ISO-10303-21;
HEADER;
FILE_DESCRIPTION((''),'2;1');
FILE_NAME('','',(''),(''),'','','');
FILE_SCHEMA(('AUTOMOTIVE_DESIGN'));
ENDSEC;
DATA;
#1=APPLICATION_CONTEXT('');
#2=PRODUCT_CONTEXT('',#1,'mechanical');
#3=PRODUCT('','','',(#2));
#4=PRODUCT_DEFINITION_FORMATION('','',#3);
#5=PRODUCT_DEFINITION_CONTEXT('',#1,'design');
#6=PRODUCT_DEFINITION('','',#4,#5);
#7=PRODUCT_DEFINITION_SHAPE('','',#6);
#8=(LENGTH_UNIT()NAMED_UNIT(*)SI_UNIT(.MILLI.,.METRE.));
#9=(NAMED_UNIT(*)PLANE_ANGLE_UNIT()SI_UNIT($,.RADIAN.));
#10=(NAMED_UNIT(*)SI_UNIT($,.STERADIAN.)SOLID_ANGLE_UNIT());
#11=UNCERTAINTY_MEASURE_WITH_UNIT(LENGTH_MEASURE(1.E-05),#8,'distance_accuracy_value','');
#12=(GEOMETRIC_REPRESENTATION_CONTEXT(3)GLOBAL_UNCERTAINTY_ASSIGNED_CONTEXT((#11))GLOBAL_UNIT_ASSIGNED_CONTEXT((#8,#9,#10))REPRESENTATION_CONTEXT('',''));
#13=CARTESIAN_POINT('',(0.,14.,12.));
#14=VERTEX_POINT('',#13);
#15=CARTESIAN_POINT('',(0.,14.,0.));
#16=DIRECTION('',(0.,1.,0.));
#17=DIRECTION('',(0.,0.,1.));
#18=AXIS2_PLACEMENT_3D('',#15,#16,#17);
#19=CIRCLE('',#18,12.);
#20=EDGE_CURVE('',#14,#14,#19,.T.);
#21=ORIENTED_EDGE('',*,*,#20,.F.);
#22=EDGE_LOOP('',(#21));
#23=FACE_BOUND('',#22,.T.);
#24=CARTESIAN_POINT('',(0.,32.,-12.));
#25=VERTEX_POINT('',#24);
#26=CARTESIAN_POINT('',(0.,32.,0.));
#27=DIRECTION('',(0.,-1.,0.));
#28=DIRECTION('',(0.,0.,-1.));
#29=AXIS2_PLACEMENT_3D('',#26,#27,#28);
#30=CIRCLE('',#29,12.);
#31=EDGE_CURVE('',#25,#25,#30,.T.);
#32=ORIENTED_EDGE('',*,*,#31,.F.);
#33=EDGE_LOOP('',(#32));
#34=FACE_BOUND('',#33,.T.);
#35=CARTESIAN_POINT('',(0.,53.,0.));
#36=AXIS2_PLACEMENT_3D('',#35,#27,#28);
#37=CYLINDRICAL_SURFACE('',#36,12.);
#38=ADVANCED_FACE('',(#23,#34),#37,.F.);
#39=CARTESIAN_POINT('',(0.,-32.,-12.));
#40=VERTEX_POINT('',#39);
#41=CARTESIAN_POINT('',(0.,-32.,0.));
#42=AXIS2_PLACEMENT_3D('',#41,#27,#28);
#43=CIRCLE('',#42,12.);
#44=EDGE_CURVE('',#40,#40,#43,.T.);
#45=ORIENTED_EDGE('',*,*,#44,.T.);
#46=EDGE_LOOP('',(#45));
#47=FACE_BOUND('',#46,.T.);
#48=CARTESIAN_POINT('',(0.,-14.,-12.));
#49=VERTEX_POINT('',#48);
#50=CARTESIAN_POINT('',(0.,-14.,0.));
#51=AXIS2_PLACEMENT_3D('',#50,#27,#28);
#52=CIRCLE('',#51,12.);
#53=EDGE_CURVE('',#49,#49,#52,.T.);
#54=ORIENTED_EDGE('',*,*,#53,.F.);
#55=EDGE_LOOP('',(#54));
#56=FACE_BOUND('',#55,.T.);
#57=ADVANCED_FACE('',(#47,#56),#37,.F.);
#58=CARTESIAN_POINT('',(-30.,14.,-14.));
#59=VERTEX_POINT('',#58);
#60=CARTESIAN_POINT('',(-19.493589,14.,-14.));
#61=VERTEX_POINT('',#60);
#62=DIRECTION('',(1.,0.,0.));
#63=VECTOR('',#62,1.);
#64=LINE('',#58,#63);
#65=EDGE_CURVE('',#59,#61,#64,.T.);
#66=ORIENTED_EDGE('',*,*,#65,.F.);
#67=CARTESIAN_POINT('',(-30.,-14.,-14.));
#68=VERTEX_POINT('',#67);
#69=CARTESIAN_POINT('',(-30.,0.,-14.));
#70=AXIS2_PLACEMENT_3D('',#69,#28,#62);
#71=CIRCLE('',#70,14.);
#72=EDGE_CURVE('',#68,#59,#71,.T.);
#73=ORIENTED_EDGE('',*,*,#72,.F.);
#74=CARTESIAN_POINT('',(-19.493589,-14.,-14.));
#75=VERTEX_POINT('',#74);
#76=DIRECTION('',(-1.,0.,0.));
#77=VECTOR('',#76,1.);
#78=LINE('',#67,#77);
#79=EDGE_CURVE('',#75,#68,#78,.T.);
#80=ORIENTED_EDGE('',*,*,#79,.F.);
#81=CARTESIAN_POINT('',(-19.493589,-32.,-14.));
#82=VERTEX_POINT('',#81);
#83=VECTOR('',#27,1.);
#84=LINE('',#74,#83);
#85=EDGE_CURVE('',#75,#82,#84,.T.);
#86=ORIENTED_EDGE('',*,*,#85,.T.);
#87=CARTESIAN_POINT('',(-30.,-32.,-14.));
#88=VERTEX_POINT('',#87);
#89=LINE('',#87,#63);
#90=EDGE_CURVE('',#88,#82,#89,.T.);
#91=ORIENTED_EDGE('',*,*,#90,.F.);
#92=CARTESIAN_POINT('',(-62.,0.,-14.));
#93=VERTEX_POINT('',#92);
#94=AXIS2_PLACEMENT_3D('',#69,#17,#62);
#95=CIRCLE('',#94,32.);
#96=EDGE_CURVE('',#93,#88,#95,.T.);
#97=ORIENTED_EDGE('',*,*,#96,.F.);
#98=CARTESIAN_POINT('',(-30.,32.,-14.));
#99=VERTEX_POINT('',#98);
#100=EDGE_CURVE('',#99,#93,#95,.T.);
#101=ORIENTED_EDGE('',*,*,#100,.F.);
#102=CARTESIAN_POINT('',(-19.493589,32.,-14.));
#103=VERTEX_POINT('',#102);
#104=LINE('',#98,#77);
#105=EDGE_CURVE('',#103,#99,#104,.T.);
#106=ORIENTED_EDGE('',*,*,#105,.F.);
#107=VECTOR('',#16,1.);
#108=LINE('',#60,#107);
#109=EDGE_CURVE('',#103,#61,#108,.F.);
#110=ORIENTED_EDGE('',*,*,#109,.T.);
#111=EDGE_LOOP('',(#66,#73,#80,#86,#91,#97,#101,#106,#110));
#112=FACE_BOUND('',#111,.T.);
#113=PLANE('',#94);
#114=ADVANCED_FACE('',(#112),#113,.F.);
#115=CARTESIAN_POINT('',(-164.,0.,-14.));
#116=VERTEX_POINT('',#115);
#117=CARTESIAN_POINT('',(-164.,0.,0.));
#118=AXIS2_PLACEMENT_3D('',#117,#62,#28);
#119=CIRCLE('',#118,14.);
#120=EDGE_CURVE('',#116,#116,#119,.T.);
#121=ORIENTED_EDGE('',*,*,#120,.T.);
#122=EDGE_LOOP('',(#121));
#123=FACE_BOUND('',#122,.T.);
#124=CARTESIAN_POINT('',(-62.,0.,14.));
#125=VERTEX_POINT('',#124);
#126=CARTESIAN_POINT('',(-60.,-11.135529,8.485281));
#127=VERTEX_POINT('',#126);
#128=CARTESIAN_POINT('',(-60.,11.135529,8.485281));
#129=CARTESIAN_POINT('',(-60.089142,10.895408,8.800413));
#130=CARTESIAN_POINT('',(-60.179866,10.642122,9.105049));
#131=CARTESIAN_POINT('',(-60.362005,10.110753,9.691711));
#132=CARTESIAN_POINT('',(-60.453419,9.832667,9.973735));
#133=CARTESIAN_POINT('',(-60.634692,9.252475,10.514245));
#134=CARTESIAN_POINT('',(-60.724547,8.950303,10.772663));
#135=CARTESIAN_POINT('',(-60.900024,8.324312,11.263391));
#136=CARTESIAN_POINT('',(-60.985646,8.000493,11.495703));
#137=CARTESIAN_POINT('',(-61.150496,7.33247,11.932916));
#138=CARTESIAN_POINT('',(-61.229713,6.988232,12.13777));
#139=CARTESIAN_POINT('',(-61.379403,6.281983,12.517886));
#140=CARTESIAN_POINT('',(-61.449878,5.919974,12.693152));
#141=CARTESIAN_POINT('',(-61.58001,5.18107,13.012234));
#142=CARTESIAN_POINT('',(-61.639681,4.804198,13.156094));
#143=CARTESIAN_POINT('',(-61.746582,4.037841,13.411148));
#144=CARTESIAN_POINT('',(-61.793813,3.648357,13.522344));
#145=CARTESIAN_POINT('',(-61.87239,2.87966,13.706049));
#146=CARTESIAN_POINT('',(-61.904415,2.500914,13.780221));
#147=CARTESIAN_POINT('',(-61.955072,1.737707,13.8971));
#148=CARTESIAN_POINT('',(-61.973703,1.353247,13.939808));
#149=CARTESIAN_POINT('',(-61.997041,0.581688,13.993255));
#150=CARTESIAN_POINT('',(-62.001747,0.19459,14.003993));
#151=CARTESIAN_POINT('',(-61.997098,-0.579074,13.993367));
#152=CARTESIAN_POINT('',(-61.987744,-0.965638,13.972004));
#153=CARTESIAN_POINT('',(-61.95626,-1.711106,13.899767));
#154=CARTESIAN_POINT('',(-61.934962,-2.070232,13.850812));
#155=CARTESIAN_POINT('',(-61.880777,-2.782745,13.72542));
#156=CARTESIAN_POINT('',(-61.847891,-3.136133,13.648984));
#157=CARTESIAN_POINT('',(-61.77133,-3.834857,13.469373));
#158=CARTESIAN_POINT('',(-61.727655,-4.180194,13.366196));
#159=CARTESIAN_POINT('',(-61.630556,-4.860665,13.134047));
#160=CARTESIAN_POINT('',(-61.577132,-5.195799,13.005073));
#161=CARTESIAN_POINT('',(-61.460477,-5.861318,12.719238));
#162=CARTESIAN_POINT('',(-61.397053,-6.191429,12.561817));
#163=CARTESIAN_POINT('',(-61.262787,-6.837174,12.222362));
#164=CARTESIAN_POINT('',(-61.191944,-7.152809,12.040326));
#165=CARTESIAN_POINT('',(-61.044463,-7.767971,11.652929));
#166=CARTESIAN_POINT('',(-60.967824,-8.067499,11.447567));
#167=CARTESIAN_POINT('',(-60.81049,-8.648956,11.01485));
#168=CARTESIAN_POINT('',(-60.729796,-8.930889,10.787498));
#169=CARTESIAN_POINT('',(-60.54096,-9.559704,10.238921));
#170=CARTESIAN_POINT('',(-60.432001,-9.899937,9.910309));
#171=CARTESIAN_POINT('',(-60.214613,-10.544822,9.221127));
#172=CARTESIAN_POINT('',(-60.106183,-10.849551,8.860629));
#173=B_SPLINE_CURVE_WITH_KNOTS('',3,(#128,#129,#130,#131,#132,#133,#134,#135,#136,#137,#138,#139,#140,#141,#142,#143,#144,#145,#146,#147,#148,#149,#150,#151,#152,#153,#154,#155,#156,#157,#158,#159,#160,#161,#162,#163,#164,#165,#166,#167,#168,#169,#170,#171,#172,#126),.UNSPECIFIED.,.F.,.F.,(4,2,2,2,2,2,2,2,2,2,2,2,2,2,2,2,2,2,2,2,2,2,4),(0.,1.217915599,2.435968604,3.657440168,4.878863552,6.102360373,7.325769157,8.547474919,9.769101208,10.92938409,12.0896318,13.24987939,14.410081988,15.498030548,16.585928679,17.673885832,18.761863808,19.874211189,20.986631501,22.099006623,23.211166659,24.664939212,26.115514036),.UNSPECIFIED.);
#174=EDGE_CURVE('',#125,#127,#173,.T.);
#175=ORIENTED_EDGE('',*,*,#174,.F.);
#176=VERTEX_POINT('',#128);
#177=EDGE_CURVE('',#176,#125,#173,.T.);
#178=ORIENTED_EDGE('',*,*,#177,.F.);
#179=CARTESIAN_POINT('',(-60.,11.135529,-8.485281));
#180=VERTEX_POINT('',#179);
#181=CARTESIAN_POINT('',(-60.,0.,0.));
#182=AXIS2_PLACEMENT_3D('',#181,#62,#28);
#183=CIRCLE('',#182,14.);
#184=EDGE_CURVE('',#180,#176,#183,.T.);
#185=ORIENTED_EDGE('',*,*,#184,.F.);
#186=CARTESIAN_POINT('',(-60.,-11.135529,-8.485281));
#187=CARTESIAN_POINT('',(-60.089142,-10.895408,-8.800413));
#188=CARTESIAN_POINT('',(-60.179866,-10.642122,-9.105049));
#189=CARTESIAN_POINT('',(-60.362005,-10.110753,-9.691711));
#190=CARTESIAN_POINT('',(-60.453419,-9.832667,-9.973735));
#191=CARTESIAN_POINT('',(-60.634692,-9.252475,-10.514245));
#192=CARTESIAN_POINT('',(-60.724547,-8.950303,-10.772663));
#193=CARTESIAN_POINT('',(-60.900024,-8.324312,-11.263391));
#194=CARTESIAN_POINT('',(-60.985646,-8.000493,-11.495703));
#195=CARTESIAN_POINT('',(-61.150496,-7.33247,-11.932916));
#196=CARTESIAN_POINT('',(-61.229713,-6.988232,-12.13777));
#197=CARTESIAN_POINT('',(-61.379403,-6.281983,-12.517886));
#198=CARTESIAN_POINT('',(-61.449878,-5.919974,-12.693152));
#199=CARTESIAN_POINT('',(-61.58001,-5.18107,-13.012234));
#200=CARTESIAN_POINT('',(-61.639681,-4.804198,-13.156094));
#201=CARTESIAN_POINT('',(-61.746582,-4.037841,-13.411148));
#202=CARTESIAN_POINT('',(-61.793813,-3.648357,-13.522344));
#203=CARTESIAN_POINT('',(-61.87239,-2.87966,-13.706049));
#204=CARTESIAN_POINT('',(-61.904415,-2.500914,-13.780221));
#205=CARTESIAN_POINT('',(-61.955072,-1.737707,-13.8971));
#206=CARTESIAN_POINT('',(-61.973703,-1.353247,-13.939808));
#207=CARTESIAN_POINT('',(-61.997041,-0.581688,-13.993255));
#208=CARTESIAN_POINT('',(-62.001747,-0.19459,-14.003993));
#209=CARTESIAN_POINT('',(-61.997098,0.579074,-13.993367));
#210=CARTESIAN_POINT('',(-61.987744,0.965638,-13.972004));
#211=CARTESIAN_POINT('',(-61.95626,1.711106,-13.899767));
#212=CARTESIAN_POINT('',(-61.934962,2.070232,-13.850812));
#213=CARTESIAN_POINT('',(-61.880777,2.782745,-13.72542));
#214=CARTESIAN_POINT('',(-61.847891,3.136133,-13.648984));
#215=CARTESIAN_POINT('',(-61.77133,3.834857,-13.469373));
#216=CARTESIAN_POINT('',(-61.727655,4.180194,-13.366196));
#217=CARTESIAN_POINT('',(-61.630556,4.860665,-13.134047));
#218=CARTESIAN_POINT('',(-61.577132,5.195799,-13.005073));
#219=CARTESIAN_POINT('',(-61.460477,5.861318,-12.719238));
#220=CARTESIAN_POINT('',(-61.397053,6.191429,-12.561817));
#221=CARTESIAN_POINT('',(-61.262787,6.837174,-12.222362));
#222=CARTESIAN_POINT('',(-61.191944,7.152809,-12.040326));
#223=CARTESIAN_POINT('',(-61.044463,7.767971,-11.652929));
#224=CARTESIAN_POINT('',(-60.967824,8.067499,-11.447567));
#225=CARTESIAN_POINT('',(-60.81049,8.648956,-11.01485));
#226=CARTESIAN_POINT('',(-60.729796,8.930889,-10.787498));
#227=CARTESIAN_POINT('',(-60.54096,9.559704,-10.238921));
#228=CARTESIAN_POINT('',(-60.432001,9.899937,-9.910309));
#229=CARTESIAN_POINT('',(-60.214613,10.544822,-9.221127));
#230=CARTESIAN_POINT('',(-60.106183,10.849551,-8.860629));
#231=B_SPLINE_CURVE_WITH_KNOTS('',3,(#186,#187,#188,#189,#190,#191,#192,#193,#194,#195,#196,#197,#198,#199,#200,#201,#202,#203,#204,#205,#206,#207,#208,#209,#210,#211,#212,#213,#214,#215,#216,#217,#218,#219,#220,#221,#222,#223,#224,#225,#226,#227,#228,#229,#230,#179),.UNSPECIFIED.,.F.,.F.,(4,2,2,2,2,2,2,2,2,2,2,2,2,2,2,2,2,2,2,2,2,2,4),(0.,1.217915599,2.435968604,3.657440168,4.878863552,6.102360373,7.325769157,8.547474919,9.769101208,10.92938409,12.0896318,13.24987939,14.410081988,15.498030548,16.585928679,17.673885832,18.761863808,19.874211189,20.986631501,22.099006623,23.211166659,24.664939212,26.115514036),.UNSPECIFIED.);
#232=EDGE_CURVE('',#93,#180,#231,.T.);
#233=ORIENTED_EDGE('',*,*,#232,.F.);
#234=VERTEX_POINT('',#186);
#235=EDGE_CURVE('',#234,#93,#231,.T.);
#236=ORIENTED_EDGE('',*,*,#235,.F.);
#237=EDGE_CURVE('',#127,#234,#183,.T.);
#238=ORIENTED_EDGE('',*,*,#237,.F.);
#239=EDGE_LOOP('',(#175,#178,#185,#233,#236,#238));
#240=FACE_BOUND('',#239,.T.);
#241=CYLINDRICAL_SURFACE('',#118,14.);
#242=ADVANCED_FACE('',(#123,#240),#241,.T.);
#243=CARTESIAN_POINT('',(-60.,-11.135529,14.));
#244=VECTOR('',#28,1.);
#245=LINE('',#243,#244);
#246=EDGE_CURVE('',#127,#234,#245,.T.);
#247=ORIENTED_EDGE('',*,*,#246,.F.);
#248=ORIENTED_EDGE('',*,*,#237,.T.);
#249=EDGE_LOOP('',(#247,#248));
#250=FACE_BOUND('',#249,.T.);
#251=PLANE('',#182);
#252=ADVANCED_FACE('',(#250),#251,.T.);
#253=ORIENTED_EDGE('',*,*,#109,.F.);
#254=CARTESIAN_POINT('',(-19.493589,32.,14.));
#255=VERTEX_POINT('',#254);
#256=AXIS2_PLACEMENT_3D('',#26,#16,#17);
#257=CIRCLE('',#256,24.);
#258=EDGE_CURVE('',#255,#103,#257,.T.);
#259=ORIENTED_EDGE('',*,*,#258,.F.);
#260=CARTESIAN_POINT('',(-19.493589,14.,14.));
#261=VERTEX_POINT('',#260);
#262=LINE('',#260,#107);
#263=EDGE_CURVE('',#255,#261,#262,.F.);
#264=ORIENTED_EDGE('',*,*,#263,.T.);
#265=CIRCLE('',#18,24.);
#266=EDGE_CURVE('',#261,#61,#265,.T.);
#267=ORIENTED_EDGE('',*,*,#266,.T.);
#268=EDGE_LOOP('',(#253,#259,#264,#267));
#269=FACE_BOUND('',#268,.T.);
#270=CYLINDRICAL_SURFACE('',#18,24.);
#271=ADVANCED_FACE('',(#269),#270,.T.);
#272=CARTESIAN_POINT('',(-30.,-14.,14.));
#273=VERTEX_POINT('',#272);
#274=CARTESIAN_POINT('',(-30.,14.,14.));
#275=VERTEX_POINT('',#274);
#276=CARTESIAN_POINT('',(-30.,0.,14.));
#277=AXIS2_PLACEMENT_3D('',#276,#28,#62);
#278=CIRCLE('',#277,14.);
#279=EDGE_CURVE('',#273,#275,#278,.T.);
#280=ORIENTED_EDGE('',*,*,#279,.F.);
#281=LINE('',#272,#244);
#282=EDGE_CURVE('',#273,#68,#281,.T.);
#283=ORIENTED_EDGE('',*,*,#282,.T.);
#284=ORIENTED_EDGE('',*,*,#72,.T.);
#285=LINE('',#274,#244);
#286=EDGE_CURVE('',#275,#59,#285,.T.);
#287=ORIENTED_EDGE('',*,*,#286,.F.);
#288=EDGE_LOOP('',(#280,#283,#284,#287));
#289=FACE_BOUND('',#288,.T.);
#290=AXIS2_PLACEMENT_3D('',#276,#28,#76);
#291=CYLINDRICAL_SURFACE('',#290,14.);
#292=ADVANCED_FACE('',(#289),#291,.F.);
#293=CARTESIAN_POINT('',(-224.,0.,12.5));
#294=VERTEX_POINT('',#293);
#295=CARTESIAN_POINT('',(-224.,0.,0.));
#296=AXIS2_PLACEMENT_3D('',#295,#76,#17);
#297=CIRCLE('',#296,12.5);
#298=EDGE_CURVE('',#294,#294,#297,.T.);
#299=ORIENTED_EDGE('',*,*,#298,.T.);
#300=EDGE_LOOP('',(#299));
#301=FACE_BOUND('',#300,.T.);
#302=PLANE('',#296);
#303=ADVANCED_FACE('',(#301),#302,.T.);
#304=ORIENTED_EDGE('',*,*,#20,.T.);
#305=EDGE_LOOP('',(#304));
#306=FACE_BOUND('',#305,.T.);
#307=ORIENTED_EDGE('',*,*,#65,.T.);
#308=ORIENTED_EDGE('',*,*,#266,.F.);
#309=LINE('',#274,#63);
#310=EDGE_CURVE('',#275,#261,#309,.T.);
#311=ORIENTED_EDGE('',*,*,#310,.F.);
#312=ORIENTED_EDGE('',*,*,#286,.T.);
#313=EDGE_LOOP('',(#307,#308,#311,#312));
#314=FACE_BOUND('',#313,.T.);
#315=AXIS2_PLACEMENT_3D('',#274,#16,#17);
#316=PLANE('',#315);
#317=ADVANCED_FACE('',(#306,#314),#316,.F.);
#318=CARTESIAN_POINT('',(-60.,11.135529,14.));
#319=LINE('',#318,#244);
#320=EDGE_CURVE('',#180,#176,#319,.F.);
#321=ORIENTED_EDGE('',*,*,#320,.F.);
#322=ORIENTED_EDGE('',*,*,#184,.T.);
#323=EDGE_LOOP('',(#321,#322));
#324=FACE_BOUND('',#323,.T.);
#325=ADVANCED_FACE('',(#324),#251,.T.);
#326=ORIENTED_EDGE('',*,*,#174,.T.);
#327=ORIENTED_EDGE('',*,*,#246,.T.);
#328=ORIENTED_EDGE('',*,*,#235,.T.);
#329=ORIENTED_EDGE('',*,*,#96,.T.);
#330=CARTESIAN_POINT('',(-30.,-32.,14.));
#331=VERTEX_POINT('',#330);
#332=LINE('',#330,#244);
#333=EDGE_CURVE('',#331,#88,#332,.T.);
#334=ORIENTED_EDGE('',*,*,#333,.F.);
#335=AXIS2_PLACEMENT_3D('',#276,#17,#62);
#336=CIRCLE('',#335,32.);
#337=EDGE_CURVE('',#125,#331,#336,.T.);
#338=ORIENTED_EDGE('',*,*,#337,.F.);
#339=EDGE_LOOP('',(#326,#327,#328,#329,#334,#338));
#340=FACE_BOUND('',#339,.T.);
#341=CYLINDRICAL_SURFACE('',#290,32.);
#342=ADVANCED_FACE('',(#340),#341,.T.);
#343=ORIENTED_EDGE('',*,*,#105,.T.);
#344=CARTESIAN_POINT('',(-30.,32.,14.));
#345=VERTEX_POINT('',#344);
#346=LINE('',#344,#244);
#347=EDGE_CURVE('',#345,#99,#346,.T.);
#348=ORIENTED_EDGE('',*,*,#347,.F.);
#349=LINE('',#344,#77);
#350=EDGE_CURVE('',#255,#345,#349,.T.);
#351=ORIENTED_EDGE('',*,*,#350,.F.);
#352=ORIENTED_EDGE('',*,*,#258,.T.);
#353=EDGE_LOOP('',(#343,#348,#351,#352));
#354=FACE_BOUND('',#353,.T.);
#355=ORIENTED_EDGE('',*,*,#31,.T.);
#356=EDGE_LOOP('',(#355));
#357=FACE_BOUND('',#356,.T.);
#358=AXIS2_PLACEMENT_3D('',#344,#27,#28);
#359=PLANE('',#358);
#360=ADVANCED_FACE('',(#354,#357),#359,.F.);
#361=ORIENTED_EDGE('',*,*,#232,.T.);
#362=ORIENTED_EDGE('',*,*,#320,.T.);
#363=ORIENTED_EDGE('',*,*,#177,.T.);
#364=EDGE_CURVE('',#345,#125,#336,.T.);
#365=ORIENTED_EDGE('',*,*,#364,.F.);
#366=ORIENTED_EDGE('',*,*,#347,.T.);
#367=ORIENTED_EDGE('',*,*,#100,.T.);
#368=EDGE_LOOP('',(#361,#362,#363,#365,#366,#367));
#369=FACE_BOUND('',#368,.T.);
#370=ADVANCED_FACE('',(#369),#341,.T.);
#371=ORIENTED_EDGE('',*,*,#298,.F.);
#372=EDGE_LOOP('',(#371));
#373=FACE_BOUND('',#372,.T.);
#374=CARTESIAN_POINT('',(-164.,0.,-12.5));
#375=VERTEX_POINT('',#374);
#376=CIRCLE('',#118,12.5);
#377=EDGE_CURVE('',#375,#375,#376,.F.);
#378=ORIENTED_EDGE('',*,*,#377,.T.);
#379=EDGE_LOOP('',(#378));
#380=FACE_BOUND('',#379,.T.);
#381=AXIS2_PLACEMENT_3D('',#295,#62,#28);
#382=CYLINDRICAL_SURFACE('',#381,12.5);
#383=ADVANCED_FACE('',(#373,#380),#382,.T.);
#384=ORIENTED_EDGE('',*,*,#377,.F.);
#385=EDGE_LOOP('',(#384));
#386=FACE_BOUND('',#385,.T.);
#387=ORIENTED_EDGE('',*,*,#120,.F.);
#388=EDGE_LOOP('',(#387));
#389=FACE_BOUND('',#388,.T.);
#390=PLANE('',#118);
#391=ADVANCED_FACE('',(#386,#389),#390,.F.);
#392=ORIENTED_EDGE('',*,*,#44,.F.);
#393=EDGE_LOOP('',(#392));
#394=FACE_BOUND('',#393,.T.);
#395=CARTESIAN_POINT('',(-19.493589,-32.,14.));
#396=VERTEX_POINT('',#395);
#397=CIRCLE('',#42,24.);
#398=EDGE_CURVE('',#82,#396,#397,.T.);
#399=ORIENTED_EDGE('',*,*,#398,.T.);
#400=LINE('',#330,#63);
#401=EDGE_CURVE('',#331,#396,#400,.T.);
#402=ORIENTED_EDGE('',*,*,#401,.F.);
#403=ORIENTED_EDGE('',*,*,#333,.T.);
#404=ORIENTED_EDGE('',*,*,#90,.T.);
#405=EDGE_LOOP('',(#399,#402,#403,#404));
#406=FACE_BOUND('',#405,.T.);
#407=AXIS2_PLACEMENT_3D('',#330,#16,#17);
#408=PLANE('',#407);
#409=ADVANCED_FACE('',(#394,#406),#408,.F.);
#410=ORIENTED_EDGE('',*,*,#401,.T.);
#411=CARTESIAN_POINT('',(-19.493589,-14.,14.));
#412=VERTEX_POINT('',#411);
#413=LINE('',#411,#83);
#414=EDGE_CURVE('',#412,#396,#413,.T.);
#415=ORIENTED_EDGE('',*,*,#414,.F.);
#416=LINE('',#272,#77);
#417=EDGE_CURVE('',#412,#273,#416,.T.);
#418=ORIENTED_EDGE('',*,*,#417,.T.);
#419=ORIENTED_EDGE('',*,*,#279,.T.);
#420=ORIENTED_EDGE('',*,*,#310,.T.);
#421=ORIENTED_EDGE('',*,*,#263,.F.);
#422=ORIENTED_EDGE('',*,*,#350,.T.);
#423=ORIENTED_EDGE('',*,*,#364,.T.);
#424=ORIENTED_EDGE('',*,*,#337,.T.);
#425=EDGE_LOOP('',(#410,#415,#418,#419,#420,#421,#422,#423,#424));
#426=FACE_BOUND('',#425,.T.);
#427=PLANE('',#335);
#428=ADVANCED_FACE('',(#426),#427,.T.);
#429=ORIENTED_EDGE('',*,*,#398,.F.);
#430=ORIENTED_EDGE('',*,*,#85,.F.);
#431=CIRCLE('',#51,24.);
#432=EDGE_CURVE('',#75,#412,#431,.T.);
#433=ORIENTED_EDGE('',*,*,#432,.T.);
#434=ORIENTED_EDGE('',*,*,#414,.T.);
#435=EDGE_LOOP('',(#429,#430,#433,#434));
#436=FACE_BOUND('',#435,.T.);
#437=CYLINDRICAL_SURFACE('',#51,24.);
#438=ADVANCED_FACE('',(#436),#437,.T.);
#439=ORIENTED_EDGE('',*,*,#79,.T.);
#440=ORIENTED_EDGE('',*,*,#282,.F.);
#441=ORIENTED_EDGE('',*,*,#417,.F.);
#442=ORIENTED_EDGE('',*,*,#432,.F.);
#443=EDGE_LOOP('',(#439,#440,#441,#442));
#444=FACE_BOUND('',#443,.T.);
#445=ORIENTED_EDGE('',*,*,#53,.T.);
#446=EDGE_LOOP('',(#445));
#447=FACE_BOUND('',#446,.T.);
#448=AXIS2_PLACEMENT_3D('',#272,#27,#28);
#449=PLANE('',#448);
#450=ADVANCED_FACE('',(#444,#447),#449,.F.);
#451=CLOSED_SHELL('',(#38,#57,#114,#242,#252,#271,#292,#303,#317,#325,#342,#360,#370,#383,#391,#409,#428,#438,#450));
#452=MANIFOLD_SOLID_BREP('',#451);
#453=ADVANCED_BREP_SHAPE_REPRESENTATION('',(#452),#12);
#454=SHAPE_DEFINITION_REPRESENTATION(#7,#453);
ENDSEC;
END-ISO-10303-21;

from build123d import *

# Parameters (mm, degrees)
BOSS_EXTRUDE1_DEPTH = 14
BOSS_EXTRUDE4_START = -60
SKETCH3_R           = 14
BOSS_EXTRUDE4_DEPTH = 104
SKETCH4_R           = 12.5
BOSS_EXTRUDE5_DEPTH = 60
SKETCH5_R           = 24
BOSS_EXTRUDE7_DEPTH = 18
SKETCH7_R           = 24
BOSS_EXTRUDE8_DEPTH = 18
CUT_EXTRUDE2_DEPTH  = 85
SKETCH10_R          = 12
CUT_EXTRUDE3_DEPTH  = 85


with BuildPart() as part:
    # Sketch2 → Boss-Extrude1 (new body, symmetric)
    with BuildSketch(Plane.XY):
        with BuildLine():
            Line((30, 14), (30, 32))
            Line((30, 32), (-30, 32))
            ThreePointArc((-30, 32), (-62, 0), (-30, -32))
            Line((-30, -32), (30, -32))
            Line((30, -32), (30, -14))
            Line((30, -14), (-30, -14))
            ThreePointArc((-30, -14), (-44, 0), (-30, 14))
            Line((-30, 14), (30, 14))
        make_face()
    extrude(amount=BOSS_EXTRUDE1_DEPTH, both=True)

    # Sketch3 → Boss-Extrude4 (add)
    with BuildSketch(Plane(origin=(0, 0, 0), x_dir=(0, 0, -1), z_dir=(1, 0, 0)).offset(BOSS_EXTRUDE4_START)):
        Circle(SKETCH3_R)
    extrude(amount=-BOSS_EXTRUDE4_DEPTH)

    # Sketch4 → Boss-Extrude5 (add)
    with BuildSketch(Plane.ZY.offset(164)):
        Circle(SKETCH4_R)
    extrude(amount=BOSS_EXTRUDE5_DEPTH)

    # Sketch5 → Boss-Extrude7 (add)
    with BuildSketch(Plane(origin=(0, 32, 0), x_dir=(1, 0, 0), z_dir=(0, 1, 0))):
        Circle(SKETCH5_R)
    extrude(amount=-BOSS_EXTRUDE7_DEPTH)

    # Sketch7 → Boss-Extrude8 (add)
    with BuildSketch(Plane.XZ.offset(32)):
        Circle(SKETCH7_R)
    extrude(amount=-BOSS_EXTRUDE8_DEPTH)

    # Sketch8 → Cut-Extrude2 (cut)
    with BuildSketch(Plane.XZ.offset(32)):
        with BuildLine():
            Line((19.49358869, -14), (30, -14))
            Line((30, -14), (30, 14))
            Line((30, 14), (19.49358869, 14))
            ThreePointArc((19.49358869, 14), (24, 0), (19.49358869, -14))
        make_face()
    extrude(amount=-CUT_EXTRUDE2_DEPTH, mode=Mode.SUBTRACT)

    # Sketch10 → Cut-Extrude3 (cut)
    with BuildSketch(Plane.XZ.offset(32)):
        Circle(SKETCH10_R)
    extrude(amount=-CUT_EXTRUDE3_DEPTH, mode=Mode.SUBTRACT)


solid = part.part
